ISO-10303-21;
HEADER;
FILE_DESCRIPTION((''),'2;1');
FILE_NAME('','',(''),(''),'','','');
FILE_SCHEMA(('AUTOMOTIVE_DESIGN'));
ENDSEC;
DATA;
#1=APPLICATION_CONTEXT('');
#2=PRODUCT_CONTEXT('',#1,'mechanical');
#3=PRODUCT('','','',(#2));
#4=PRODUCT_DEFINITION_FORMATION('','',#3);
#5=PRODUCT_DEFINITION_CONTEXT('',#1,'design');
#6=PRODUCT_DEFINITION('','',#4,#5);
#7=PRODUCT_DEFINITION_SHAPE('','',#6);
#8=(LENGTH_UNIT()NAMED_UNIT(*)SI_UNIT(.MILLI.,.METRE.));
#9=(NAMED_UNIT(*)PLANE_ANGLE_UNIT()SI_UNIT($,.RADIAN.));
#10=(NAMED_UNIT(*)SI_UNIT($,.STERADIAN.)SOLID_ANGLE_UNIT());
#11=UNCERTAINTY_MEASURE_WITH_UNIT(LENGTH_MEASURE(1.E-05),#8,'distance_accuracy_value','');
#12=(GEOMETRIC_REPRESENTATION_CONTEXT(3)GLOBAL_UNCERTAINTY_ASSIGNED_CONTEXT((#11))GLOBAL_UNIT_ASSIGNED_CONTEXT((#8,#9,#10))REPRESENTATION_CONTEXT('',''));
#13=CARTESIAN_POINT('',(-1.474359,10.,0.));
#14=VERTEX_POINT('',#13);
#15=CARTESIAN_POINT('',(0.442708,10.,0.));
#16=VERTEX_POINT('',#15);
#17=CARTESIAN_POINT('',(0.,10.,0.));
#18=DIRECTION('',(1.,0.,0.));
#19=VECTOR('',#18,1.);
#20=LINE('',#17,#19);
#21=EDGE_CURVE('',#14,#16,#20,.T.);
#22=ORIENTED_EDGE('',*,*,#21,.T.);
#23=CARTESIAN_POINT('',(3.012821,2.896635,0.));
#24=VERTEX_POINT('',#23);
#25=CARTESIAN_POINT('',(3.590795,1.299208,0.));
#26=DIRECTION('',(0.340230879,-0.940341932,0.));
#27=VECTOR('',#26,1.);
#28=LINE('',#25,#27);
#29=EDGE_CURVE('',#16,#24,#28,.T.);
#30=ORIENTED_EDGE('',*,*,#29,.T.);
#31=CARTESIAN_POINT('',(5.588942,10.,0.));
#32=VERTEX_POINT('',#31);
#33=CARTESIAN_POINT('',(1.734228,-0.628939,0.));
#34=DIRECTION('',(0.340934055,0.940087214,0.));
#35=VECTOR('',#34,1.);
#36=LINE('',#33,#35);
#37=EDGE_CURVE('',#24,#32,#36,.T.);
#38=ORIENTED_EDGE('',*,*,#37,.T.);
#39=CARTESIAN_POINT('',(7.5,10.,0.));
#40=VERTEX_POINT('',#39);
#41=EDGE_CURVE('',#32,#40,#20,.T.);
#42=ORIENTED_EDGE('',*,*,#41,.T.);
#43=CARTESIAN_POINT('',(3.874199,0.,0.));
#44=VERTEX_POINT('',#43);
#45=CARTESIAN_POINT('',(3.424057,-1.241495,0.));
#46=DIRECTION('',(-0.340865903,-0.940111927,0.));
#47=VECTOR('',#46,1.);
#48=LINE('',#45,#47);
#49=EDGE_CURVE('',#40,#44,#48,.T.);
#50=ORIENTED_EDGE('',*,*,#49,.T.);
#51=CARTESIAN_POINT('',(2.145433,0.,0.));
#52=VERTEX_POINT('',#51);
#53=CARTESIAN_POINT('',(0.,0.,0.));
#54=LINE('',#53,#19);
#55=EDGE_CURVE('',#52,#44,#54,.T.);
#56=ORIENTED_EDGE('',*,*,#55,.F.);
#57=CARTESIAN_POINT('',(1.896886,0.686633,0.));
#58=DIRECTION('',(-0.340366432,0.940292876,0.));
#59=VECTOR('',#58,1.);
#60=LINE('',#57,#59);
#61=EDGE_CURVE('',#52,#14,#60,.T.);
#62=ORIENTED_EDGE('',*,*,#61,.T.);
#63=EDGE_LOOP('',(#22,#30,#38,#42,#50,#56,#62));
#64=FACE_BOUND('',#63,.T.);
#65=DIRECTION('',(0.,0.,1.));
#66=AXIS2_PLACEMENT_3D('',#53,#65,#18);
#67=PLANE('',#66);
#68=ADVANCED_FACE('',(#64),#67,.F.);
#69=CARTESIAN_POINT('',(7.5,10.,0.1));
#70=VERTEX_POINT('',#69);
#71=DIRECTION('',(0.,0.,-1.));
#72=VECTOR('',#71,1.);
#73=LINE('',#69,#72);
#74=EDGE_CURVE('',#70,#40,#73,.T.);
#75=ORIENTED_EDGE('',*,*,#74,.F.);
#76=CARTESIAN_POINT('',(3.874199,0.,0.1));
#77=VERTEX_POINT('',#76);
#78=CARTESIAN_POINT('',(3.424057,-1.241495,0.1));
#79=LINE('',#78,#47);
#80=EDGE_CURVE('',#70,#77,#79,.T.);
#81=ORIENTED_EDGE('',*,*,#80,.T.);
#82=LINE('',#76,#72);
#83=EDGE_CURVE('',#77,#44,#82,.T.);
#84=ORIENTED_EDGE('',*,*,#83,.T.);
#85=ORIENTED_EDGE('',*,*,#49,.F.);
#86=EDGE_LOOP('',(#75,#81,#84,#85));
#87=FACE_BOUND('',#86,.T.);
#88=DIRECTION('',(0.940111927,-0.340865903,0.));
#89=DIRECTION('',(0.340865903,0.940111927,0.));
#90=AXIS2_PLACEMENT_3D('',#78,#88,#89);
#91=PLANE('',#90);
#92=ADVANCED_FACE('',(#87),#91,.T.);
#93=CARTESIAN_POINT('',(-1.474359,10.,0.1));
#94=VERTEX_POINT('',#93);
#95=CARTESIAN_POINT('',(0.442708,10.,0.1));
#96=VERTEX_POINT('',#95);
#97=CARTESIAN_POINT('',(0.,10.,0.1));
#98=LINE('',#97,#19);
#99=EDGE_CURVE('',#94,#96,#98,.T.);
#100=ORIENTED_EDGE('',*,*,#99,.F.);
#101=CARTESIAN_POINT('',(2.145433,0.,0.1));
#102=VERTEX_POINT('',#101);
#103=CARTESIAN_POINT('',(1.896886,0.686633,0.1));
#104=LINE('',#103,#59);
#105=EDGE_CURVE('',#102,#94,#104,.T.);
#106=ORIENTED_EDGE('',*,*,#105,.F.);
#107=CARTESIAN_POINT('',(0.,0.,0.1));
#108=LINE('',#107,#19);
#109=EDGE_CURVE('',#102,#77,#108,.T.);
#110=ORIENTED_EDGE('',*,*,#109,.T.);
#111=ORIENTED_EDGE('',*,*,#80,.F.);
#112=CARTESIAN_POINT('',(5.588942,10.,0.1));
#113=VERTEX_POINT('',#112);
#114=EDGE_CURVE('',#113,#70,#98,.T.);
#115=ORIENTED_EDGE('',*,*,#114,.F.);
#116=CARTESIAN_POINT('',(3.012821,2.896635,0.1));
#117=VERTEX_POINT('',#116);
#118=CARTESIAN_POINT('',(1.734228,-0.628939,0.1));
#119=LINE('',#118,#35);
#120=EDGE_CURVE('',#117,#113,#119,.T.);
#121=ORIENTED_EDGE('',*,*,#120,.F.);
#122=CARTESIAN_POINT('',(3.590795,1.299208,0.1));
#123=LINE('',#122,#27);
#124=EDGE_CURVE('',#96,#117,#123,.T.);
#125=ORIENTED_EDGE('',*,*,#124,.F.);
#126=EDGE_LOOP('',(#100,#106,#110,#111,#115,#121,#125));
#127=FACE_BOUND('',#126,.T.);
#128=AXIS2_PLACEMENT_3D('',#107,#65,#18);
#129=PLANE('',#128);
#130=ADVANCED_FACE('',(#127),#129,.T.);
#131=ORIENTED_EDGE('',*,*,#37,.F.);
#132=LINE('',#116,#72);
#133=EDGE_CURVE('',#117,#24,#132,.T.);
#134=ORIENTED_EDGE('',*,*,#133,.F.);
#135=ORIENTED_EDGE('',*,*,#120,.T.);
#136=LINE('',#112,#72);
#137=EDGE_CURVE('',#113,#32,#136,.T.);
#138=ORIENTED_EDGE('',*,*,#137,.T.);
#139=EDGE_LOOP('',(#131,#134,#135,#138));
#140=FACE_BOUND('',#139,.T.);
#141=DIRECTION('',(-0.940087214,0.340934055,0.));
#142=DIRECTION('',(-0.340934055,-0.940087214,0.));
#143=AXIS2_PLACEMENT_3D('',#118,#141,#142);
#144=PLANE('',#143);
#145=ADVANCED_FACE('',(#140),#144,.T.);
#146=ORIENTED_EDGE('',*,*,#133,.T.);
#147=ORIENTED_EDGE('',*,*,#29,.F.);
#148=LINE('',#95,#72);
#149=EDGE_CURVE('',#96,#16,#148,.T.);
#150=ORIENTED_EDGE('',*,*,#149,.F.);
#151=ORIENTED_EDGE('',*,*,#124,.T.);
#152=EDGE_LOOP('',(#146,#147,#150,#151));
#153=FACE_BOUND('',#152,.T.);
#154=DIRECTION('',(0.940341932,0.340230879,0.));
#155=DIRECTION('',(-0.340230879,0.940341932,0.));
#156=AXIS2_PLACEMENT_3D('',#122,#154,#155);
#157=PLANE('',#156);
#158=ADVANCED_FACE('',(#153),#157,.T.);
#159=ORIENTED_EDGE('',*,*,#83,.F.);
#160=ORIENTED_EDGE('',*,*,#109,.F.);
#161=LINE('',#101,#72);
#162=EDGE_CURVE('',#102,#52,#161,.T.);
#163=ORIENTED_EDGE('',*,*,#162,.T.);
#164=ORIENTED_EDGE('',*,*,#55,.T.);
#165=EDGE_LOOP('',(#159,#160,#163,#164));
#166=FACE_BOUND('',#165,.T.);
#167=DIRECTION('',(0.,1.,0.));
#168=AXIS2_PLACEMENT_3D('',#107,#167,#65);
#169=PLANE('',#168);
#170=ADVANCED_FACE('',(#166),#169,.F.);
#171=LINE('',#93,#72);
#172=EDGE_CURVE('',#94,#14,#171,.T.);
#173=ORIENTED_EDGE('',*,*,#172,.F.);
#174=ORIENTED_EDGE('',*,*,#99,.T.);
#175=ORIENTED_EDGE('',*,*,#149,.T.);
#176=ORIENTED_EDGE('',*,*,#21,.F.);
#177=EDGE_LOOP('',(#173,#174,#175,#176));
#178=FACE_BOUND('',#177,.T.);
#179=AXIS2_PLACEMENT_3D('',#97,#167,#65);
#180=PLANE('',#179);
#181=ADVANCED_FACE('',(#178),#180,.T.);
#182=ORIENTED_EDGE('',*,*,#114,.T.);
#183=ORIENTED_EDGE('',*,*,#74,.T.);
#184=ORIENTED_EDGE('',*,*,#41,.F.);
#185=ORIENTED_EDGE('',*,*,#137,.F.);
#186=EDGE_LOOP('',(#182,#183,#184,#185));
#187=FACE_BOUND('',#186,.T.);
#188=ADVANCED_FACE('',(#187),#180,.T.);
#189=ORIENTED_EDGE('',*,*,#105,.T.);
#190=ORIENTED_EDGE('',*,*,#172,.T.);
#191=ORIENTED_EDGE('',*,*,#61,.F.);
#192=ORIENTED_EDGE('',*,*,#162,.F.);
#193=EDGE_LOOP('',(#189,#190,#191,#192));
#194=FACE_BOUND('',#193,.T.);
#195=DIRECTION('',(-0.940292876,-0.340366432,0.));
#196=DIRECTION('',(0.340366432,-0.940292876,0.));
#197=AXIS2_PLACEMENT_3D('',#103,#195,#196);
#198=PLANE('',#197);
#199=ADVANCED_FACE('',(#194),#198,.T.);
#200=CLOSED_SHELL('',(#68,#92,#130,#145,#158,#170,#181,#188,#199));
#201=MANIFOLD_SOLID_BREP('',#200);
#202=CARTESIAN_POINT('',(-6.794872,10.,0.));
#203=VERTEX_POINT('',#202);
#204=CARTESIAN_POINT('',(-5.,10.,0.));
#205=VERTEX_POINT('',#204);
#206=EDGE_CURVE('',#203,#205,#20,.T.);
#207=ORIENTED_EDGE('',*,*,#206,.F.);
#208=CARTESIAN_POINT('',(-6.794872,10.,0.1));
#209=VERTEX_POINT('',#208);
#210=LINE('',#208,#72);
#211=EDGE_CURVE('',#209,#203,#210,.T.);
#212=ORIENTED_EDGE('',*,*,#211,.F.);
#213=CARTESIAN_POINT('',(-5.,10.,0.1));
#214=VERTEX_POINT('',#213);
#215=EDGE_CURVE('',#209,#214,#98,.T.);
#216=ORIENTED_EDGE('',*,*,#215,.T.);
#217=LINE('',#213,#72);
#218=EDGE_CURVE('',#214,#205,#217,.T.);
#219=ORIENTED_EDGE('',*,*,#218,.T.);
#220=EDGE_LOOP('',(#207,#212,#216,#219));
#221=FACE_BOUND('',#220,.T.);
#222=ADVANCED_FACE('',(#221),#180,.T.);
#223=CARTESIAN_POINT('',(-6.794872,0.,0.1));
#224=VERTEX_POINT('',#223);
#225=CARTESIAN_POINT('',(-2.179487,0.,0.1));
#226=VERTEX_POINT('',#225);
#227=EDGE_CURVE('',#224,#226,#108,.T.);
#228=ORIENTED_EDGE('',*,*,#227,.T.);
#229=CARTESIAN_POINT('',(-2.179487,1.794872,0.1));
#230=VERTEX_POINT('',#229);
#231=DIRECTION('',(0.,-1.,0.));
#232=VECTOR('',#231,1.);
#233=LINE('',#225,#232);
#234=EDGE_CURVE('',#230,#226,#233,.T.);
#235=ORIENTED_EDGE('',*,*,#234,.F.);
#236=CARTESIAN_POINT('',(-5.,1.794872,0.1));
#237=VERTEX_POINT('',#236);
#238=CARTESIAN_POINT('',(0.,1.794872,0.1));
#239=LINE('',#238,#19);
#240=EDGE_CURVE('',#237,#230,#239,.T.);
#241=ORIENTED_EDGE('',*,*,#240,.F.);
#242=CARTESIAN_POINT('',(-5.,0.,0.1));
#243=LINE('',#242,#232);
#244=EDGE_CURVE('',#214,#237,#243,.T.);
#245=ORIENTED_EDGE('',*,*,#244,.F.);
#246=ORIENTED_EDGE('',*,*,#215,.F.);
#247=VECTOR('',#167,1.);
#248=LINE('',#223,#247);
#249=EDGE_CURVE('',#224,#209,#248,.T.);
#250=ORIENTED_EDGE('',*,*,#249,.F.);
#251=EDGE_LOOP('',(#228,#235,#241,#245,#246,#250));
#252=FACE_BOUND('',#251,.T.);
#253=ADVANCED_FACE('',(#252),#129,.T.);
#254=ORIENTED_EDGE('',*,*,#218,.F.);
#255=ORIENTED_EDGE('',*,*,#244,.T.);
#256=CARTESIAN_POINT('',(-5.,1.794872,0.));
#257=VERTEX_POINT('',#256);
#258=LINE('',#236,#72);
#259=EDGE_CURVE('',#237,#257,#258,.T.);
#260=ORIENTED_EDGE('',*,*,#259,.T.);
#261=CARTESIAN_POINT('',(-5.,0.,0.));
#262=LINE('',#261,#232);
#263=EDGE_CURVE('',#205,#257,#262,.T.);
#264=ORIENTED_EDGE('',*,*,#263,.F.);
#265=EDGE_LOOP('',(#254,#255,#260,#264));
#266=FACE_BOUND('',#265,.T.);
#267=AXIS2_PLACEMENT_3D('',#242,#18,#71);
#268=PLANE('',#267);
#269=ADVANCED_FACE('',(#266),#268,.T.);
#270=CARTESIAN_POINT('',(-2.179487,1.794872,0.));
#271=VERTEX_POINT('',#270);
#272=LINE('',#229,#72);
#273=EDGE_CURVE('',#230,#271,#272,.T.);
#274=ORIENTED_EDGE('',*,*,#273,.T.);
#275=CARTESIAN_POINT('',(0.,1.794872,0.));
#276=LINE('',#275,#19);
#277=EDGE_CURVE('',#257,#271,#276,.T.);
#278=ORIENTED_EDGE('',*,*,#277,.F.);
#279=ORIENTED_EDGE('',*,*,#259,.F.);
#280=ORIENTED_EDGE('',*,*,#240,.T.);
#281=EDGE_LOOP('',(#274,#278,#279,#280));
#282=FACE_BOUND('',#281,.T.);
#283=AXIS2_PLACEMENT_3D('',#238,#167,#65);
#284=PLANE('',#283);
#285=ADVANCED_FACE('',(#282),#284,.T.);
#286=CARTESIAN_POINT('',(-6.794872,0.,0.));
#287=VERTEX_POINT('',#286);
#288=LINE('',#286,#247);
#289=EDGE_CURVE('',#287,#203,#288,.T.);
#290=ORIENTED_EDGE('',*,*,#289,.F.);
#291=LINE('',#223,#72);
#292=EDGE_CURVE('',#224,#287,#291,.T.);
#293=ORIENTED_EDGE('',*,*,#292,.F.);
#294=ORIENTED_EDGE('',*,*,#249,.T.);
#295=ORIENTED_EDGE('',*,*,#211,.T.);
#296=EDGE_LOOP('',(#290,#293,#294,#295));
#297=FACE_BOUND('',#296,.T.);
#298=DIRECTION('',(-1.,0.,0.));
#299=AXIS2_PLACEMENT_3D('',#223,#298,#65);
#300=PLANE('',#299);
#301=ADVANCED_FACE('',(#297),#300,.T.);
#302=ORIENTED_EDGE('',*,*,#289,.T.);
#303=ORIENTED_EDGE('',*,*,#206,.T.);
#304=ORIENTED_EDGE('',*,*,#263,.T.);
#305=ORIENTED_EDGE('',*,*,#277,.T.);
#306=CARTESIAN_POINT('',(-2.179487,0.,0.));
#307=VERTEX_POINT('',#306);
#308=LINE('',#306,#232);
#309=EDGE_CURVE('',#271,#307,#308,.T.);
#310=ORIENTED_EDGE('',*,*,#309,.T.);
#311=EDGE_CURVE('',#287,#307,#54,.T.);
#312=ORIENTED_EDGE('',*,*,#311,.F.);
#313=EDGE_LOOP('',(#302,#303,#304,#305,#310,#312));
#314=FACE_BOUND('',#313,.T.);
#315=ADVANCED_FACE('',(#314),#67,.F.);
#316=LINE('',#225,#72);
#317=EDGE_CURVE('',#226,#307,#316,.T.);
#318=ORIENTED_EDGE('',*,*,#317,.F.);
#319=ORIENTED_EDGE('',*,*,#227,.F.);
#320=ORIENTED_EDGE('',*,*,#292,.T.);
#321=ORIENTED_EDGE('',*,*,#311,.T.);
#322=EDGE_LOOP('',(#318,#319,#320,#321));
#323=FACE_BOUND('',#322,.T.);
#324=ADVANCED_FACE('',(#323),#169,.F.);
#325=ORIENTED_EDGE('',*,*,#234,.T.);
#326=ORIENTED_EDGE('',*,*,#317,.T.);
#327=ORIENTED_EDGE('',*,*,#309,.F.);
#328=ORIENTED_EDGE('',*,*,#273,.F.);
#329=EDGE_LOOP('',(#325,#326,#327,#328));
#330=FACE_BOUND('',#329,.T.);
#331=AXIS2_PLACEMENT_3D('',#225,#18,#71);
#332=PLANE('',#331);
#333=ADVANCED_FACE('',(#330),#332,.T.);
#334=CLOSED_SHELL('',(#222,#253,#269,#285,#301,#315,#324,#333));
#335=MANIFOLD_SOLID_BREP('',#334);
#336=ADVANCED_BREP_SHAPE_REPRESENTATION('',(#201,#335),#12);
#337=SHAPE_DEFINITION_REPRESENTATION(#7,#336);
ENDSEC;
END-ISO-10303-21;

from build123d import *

# Parameters (mm, degrees)
BOSS_EXTRUDE1_DEPTH   = 0.1
BOSS_EXTRUDE1_2_DEPTH = 0.1


with BuildPart() as part:
    # Sketch1 → Boss-Extrude1 (new body)
    with BuildSketch(Plane.XY):
        Polygon((-6.794871795, 10), (-6.794871795, 0), (-2.179487179, 0), (-2.179487179, 1.794871795), (-5, 1.794871795), (-5, 10), align=None)
    extrude(amount=BOSS_EXTRUDE1_DEPTH)


with BuildPart() as body_2:
    # Sketch1 → Boss-Extrude1 2 (new body)
    with BuildSketch(Plane.XY):
        Polygon((-1.474358974, 10), (2.145432692, 0), (3.874198718, 0), (7.5, 10), (5.588942308, 10), (3.012820513, 2.896634615), (0.442708333, 10), align=None)
    extrude(amount=BOSS_EXTRUDE1_2_DEPTH)


solid = Compound([part.part, body_2.part])
